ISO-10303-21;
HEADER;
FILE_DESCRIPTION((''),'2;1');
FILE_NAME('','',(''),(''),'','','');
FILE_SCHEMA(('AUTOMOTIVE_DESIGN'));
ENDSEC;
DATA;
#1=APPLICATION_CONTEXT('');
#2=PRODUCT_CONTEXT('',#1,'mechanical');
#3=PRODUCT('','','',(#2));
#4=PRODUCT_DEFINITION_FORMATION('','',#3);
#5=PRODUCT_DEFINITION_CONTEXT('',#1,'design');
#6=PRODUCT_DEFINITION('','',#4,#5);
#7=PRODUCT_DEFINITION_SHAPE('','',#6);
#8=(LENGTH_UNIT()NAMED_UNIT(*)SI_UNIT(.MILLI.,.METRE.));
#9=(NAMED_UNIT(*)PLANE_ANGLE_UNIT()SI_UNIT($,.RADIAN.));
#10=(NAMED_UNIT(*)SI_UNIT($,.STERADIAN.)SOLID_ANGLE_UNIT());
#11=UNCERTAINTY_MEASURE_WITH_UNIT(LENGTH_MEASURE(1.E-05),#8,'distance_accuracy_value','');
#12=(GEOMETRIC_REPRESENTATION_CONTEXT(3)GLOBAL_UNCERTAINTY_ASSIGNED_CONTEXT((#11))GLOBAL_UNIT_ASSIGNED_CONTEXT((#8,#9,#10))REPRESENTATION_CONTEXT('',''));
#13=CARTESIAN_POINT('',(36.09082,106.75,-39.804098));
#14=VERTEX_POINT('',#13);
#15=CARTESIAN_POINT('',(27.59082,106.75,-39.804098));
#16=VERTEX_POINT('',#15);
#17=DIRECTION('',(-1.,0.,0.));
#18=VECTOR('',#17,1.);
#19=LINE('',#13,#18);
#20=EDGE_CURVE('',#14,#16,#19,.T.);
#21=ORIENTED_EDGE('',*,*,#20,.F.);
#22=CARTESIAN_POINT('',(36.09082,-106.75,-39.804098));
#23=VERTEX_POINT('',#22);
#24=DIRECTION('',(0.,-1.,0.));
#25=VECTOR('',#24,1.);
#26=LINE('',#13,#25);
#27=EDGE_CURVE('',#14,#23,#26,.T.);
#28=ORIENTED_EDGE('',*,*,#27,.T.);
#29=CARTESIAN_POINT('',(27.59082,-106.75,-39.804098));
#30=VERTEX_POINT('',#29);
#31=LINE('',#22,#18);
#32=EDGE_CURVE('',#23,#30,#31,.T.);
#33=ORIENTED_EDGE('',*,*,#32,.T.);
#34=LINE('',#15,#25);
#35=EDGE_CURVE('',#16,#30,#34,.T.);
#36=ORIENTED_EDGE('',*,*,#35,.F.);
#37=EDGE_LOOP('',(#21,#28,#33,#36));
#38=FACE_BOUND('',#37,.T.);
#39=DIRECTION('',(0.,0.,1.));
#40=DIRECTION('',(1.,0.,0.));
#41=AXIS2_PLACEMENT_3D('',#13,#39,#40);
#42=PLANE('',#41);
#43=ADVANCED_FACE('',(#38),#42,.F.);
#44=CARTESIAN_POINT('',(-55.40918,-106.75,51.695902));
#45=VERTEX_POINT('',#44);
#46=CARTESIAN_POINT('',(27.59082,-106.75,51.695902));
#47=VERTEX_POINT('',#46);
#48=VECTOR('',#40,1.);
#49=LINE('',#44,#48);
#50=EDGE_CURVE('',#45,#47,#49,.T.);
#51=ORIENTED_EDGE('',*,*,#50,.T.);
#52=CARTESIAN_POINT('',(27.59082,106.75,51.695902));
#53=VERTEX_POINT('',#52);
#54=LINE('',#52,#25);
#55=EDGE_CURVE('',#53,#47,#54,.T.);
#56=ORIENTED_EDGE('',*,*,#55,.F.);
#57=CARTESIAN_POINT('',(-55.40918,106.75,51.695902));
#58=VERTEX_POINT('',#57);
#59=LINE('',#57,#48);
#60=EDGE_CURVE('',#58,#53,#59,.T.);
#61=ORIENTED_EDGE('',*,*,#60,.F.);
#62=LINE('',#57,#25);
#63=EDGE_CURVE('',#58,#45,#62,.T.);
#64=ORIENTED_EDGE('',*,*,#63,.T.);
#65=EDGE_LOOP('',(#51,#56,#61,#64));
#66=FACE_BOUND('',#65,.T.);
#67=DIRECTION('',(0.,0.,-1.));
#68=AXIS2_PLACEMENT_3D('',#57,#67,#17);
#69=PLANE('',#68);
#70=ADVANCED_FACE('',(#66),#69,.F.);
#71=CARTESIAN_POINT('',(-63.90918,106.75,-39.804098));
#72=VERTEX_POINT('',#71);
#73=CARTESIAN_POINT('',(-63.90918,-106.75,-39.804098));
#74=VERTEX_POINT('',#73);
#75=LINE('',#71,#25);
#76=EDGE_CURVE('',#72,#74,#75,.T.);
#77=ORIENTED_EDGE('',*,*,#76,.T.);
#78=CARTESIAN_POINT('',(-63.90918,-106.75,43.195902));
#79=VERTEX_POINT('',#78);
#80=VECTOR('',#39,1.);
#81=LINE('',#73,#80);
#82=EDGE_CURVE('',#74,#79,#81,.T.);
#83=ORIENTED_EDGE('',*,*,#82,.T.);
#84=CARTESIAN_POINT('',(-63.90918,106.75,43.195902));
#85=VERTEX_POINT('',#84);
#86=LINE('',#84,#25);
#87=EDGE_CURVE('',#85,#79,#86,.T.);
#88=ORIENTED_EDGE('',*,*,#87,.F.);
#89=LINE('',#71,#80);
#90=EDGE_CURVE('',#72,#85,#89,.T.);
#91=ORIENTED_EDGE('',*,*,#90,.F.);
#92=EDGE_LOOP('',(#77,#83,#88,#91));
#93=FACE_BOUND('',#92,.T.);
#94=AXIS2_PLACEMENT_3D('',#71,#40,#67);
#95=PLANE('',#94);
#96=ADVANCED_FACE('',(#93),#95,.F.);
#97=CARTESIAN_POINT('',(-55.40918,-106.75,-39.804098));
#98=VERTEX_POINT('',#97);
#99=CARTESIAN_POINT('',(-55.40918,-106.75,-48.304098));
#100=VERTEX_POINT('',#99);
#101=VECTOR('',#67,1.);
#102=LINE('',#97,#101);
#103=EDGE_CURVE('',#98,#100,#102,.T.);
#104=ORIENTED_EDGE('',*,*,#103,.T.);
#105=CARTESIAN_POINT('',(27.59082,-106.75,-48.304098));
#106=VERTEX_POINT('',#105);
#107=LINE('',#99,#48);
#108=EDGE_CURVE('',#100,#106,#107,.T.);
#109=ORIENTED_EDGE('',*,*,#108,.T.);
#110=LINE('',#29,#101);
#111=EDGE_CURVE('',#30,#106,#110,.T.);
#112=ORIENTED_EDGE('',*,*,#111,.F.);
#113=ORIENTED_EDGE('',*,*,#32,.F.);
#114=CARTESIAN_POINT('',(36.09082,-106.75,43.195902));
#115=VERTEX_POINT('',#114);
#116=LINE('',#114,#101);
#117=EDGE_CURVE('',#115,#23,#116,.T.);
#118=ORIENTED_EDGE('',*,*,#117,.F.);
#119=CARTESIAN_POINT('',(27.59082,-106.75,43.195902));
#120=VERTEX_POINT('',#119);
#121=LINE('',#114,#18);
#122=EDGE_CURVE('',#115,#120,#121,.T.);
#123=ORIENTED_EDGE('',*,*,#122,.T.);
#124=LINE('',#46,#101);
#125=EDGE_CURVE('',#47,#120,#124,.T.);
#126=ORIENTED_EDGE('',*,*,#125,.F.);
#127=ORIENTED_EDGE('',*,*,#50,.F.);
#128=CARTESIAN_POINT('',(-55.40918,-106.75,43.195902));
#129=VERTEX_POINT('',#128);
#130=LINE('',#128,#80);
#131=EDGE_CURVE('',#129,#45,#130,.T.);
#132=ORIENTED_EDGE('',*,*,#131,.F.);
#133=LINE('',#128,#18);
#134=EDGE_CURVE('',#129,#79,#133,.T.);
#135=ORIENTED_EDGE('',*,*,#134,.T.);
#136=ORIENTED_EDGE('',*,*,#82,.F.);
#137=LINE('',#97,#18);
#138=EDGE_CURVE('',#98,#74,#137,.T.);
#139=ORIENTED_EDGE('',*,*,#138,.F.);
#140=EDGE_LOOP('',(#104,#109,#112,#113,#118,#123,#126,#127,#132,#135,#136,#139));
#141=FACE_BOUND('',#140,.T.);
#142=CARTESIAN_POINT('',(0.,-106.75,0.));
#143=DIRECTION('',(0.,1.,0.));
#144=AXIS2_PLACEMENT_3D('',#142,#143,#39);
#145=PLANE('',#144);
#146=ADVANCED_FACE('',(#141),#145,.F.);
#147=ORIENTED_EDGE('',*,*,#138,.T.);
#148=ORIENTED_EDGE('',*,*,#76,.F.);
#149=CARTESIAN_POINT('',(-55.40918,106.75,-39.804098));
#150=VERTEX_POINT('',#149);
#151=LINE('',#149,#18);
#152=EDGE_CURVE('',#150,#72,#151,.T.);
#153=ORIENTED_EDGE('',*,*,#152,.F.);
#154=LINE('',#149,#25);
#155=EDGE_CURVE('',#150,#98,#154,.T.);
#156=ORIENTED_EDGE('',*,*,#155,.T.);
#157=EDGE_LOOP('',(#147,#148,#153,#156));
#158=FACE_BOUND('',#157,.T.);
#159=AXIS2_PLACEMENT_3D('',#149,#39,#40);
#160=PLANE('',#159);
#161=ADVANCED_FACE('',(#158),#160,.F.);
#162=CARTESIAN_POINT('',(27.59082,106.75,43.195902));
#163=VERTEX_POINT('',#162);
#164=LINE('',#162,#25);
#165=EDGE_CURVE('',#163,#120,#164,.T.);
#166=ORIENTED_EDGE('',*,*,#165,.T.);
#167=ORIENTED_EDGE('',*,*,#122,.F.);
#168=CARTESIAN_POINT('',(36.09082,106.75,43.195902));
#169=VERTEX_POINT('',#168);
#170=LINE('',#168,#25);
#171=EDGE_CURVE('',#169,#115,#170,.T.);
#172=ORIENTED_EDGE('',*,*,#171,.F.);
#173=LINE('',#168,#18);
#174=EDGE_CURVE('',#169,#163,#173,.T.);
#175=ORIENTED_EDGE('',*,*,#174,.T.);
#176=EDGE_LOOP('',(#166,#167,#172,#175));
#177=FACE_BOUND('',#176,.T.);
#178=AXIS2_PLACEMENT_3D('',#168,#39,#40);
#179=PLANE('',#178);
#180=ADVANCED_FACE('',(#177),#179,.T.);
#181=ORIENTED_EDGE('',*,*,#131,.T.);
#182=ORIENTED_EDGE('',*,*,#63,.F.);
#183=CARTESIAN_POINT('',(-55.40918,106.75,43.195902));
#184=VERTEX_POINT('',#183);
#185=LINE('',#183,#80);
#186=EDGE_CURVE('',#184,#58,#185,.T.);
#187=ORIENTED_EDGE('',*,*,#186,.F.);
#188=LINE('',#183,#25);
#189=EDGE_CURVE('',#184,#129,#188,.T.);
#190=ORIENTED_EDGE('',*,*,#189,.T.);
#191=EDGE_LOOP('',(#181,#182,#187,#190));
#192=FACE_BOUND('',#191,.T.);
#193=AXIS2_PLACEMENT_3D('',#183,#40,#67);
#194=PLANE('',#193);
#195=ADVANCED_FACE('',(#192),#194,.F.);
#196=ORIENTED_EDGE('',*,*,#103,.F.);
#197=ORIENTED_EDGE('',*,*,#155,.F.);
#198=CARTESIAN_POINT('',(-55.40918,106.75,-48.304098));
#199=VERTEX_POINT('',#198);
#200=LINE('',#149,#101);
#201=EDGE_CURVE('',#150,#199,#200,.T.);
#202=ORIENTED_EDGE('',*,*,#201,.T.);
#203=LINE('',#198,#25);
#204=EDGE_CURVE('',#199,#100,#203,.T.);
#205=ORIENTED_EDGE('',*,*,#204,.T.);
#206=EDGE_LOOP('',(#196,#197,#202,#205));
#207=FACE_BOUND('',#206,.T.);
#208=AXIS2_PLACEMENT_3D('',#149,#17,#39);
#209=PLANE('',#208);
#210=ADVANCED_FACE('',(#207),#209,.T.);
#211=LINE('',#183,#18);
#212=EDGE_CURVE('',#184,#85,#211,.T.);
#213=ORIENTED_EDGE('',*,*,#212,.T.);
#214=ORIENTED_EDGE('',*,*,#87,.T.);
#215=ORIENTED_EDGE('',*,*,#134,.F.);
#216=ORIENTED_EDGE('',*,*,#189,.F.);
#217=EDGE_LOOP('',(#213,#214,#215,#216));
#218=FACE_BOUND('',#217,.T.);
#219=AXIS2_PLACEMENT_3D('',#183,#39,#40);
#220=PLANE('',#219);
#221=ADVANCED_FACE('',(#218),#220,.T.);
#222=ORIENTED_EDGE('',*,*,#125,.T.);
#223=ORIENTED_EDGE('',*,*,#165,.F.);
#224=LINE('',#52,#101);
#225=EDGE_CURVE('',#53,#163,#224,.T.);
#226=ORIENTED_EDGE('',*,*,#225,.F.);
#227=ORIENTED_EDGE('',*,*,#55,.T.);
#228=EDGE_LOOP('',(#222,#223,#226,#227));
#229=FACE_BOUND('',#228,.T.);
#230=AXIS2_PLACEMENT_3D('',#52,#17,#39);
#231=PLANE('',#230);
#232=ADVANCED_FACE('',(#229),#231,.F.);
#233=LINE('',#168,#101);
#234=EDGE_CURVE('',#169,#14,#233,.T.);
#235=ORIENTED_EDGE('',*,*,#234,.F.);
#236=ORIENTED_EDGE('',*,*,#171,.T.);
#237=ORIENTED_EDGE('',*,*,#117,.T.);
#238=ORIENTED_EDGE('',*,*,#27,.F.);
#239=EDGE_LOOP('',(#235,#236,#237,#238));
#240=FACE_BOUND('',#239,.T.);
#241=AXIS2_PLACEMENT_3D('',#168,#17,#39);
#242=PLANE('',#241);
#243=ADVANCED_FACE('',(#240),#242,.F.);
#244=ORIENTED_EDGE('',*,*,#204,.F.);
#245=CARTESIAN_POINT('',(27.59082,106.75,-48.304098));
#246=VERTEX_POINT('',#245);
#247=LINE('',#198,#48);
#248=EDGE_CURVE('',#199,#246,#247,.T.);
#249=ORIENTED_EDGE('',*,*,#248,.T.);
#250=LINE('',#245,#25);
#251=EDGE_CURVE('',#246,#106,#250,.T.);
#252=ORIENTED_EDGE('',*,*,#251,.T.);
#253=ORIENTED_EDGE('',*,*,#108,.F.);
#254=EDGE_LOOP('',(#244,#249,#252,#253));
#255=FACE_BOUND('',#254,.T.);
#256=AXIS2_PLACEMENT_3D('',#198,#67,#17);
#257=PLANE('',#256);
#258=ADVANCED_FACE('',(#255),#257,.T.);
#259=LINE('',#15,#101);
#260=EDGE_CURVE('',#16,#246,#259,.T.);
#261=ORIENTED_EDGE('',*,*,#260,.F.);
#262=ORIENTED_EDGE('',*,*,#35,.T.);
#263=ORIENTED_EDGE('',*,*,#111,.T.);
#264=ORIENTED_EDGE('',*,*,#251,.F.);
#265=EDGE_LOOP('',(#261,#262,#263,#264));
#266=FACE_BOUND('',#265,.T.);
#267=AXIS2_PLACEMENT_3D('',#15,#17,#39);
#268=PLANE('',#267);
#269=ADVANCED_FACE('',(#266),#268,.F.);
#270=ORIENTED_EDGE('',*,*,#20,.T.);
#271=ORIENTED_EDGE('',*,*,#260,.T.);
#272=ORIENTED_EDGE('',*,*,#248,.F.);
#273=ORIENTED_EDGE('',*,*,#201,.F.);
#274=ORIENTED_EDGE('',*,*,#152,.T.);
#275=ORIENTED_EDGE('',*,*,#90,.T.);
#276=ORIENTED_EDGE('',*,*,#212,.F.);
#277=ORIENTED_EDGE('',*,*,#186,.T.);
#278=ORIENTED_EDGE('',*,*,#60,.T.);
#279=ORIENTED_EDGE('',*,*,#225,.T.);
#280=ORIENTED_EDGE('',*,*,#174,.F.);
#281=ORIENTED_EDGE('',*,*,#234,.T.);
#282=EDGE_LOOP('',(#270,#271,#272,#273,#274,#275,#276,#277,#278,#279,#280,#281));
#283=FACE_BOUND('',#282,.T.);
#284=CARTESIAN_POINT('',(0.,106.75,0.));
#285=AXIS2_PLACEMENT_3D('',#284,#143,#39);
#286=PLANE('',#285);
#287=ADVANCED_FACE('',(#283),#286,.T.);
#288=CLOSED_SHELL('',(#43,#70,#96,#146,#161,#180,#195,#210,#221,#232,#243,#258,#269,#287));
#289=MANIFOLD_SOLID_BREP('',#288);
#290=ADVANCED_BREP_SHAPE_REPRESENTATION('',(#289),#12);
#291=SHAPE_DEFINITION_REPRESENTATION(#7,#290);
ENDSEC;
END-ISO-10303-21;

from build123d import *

# Parameters (mm, degrees)
BOSS_EXTRUDE1_DEPTH = 106.75


with BuildPart() as part:
    # Sketch1 → Boss-Extrude1 (new, symmetric)
    with BuildSketch(Plane(origin=(0, 0, 0), x_dir=(1, 0, 0), z_dir=(0, 1, 0))):
        Polygon((27.590820165, -51.69590185), (27.590820165, -43.19590185), (36.090820165, -43.19590185), (36.090820165, 39.80409815), (27.590820165, 39.80409815), (27.590820165, 48.30409815), (-55.409179835, 48.30409815), (-55.409179835, 39.80409815), (-63.909179835, 39.80409815), (-63.909179835, -43.19590185), (-55.409179835, -43.19590185), (-55.409179835, -51.69590185), align=None)
    extrude(amount=BOSS_EXTRUDE1_DEPTH, both=True)


solid = part.part
